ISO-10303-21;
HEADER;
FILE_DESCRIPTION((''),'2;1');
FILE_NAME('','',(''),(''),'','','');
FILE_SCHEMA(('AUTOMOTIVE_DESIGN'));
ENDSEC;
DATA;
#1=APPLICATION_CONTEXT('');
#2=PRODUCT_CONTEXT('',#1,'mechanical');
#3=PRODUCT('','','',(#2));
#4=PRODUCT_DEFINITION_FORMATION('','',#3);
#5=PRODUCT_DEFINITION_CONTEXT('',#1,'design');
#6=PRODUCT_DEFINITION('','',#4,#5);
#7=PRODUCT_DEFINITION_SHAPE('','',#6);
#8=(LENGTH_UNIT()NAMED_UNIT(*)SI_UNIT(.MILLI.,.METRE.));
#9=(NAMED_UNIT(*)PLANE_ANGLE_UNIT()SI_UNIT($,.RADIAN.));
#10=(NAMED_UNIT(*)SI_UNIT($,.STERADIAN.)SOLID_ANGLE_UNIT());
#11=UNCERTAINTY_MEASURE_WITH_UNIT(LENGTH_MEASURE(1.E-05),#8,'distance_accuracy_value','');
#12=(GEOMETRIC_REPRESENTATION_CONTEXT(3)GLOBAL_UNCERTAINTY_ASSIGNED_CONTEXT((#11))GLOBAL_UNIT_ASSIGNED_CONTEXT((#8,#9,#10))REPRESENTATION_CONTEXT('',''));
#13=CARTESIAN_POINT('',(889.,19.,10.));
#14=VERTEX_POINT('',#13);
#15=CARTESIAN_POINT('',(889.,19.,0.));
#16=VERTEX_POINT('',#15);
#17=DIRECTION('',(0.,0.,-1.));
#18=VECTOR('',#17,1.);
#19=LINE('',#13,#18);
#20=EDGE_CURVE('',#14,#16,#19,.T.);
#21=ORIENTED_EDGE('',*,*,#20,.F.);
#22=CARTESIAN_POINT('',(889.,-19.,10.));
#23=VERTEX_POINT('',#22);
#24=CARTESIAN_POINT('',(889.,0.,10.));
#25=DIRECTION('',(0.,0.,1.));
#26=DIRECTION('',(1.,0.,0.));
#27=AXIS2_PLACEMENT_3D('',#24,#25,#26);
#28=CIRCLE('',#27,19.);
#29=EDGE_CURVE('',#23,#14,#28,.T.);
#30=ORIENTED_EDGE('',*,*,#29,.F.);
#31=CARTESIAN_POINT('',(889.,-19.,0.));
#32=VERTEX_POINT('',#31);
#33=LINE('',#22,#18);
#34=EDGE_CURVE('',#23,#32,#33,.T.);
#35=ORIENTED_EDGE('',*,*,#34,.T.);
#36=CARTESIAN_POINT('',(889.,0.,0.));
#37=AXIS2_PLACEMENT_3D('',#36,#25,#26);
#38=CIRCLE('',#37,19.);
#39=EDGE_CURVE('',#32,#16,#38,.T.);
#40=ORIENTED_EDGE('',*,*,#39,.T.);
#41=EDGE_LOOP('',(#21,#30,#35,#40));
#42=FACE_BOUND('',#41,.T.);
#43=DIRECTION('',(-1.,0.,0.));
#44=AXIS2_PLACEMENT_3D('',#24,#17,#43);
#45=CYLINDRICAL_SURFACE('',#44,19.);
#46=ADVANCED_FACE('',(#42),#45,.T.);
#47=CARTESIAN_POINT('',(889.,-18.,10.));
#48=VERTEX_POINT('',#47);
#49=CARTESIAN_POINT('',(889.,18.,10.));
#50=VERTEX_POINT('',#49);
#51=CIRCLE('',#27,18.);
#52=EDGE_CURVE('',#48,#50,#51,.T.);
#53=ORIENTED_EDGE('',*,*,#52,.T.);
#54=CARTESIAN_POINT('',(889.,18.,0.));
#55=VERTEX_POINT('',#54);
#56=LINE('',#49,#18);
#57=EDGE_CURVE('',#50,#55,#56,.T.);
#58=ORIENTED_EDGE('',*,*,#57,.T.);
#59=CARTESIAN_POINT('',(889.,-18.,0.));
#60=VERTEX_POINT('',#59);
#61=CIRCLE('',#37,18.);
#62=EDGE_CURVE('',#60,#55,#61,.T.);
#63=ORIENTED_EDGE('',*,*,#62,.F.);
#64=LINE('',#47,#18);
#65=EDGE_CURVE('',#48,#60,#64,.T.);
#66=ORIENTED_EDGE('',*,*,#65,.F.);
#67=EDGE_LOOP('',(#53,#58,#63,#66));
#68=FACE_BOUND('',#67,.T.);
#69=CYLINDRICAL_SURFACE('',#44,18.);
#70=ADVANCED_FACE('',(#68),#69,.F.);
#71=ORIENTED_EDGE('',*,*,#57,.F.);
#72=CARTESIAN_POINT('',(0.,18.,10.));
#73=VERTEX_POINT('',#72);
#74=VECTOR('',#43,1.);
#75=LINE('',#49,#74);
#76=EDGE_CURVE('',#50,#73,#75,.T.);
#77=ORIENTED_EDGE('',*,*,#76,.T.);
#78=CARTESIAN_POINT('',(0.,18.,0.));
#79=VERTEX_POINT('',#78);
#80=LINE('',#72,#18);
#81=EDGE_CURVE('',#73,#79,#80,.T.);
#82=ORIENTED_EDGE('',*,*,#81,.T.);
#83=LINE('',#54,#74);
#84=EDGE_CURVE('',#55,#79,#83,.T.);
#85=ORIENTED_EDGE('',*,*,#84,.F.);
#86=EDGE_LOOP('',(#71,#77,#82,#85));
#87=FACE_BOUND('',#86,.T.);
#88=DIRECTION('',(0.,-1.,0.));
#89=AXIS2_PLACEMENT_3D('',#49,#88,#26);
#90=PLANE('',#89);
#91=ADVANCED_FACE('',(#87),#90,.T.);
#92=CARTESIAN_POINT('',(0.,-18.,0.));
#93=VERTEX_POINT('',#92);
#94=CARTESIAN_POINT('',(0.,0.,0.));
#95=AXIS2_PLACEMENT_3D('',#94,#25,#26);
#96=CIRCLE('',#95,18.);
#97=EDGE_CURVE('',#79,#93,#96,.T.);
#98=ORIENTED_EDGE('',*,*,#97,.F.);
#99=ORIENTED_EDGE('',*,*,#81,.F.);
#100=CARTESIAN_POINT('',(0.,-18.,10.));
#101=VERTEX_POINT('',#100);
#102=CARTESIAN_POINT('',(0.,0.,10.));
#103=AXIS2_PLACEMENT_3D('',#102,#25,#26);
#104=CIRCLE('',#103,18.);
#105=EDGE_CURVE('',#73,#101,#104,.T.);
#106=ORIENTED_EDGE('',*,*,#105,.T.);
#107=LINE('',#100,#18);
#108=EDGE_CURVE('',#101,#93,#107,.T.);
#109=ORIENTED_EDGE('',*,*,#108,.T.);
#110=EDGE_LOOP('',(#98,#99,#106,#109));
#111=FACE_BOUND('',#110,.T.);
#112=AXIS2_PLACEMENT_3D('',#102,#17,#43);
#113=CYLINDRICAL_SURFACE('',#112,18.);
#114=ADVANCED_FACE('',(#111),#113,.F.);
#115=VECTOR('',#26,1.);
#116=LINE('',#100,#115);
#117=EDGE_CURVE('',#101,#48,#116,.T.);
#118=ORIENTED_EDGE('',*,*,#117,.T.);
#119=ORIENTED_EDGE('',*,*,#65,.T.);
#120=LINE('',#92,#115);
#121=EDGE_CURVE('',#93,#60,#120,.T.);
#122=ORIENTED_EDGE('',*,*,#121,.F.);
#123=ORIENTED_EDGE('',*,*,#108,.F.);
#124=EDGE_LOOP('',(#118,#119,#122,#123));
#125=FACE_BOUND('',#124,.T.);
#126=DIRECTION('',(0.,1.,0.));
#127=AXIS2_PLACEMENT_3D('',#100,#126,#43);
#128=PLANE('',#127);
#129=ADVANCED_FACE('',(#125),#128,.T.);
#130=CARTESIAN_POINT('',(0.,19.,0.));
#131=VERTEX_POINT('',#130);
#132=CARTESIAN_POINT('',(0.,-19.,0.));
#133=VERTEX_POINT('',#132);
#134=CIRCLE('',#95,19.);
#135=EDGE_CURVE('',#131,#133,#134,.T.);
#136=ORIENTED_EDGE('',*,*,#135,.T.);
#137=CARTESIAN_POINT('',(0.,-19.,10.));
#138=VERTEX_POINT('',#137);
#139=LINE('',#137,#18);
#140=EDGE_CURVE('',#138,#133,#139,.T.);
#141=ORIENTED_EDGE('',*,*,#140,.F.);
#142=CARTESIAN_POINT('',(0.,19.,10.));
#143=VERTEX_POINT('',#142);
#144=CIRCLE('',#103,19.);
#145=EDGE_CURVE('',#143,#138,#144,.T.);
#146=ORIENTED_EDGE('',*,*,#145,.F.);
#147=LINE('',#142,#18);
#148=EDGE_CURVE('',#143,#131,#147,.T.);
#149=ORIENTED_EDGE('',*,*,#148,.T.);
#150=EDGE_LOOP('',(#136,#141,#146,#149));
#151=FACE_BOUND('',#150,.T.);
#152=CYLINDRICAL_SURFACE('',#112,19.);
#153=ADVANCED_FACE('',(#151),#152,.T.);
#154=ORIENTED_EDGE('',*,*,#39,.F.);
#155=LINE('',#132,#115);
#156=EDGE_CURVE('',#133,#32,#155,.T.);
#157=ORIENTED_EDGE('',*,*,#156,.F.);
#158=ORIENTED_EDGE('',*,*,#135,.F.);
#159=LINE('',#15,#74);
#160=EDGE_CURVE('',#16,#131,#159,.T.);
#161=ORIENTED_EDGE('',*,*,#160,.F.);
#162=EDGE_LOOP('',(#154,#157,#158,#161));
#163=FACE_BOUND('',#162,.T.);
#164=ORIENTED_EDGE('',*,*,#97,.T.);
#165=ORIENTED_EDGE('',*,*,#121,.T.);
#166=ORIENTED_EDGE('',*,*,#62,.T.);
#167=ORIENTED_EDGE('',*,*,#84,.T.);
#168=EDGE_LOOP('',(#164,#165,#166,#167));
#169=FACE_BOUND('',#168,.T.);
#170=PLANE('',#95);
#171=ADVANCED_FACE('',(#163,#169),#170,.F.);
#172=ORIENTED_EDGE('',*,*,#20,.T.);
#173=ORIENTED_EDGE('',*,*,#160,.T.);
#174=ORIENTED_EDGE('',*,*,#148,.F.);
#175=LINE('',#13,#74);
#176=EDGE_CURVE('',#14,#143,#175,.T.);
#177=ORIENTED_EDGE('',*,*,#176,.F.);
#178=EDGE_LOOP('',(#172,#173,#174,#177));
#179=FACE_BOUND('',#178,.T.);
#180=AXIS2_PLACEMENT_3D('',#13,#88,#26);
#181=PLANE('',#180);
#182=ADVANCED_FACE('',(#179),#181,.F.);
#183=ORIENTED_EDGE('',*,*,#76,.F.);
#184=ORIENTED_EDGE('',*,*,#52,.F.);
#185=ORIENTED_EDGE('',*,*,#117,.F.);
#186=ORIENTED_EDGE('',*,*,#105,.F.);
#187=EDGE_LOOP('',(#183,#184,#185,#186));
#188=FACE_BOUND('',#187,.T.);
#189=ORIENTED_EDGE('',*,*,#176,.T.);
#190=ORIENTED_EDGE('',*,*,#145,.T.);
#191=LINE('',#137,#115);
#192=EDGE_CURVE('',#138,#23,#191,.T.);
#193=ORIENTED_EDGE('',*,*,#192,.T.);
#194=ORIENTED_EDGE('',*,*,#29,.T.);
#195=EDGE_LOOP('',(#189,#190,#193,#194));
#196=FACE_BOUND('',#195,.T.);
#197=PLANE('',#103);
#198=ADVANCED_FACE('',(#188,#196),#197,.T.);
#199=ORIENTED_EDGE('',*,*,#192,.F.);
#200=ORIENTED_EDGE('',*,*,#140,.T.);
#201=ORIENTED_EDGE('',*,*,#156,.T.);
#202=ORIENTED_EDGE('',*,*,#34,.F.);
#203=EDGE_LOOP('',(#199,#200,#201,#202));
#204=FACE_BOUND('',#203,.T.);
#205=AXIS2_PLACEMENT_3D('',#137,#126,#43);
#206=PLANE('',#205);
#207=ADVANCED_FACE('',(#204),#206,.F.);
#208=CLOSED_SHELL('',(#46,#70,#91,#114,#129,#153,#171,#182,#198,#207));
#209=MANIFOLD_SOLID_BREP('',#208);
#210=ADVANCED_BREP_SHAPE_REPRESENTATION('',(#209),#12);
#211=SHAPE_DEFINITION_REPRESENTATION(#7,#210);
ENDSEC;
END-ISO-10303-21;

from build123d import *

# Parameters (mm, degrees)
EXTRUDE_1_DEPTH = 10


with BuildPart() as part:
    # 草图1 → 凸台-拉伸1 (new body)
    with BuildSketch(Plane.XY):
        with BuildLine():
            Line((0, -19), (889, -19))
            ThreePointArc((889, -19), (908, 0), (889, 19))
            Line((889, 19), (0, 19))
            ThreePointArc((0, 19), (-19, 0), (0, -19))
        make_face()
        with BuildLine():
            Line((889, 18), (0, 18))
            ThreePointArc((0, 18), (-18, 0), (0, -18))
            Line((0, -18), (889, -18))
            ThreePointArc((889, -18), (907, 0), (889, 18))
        make_face(mode=Mode.SUBTRACT)
    extrude(amount=EXTRUDE_1_DEPTH)


solid = part.part
